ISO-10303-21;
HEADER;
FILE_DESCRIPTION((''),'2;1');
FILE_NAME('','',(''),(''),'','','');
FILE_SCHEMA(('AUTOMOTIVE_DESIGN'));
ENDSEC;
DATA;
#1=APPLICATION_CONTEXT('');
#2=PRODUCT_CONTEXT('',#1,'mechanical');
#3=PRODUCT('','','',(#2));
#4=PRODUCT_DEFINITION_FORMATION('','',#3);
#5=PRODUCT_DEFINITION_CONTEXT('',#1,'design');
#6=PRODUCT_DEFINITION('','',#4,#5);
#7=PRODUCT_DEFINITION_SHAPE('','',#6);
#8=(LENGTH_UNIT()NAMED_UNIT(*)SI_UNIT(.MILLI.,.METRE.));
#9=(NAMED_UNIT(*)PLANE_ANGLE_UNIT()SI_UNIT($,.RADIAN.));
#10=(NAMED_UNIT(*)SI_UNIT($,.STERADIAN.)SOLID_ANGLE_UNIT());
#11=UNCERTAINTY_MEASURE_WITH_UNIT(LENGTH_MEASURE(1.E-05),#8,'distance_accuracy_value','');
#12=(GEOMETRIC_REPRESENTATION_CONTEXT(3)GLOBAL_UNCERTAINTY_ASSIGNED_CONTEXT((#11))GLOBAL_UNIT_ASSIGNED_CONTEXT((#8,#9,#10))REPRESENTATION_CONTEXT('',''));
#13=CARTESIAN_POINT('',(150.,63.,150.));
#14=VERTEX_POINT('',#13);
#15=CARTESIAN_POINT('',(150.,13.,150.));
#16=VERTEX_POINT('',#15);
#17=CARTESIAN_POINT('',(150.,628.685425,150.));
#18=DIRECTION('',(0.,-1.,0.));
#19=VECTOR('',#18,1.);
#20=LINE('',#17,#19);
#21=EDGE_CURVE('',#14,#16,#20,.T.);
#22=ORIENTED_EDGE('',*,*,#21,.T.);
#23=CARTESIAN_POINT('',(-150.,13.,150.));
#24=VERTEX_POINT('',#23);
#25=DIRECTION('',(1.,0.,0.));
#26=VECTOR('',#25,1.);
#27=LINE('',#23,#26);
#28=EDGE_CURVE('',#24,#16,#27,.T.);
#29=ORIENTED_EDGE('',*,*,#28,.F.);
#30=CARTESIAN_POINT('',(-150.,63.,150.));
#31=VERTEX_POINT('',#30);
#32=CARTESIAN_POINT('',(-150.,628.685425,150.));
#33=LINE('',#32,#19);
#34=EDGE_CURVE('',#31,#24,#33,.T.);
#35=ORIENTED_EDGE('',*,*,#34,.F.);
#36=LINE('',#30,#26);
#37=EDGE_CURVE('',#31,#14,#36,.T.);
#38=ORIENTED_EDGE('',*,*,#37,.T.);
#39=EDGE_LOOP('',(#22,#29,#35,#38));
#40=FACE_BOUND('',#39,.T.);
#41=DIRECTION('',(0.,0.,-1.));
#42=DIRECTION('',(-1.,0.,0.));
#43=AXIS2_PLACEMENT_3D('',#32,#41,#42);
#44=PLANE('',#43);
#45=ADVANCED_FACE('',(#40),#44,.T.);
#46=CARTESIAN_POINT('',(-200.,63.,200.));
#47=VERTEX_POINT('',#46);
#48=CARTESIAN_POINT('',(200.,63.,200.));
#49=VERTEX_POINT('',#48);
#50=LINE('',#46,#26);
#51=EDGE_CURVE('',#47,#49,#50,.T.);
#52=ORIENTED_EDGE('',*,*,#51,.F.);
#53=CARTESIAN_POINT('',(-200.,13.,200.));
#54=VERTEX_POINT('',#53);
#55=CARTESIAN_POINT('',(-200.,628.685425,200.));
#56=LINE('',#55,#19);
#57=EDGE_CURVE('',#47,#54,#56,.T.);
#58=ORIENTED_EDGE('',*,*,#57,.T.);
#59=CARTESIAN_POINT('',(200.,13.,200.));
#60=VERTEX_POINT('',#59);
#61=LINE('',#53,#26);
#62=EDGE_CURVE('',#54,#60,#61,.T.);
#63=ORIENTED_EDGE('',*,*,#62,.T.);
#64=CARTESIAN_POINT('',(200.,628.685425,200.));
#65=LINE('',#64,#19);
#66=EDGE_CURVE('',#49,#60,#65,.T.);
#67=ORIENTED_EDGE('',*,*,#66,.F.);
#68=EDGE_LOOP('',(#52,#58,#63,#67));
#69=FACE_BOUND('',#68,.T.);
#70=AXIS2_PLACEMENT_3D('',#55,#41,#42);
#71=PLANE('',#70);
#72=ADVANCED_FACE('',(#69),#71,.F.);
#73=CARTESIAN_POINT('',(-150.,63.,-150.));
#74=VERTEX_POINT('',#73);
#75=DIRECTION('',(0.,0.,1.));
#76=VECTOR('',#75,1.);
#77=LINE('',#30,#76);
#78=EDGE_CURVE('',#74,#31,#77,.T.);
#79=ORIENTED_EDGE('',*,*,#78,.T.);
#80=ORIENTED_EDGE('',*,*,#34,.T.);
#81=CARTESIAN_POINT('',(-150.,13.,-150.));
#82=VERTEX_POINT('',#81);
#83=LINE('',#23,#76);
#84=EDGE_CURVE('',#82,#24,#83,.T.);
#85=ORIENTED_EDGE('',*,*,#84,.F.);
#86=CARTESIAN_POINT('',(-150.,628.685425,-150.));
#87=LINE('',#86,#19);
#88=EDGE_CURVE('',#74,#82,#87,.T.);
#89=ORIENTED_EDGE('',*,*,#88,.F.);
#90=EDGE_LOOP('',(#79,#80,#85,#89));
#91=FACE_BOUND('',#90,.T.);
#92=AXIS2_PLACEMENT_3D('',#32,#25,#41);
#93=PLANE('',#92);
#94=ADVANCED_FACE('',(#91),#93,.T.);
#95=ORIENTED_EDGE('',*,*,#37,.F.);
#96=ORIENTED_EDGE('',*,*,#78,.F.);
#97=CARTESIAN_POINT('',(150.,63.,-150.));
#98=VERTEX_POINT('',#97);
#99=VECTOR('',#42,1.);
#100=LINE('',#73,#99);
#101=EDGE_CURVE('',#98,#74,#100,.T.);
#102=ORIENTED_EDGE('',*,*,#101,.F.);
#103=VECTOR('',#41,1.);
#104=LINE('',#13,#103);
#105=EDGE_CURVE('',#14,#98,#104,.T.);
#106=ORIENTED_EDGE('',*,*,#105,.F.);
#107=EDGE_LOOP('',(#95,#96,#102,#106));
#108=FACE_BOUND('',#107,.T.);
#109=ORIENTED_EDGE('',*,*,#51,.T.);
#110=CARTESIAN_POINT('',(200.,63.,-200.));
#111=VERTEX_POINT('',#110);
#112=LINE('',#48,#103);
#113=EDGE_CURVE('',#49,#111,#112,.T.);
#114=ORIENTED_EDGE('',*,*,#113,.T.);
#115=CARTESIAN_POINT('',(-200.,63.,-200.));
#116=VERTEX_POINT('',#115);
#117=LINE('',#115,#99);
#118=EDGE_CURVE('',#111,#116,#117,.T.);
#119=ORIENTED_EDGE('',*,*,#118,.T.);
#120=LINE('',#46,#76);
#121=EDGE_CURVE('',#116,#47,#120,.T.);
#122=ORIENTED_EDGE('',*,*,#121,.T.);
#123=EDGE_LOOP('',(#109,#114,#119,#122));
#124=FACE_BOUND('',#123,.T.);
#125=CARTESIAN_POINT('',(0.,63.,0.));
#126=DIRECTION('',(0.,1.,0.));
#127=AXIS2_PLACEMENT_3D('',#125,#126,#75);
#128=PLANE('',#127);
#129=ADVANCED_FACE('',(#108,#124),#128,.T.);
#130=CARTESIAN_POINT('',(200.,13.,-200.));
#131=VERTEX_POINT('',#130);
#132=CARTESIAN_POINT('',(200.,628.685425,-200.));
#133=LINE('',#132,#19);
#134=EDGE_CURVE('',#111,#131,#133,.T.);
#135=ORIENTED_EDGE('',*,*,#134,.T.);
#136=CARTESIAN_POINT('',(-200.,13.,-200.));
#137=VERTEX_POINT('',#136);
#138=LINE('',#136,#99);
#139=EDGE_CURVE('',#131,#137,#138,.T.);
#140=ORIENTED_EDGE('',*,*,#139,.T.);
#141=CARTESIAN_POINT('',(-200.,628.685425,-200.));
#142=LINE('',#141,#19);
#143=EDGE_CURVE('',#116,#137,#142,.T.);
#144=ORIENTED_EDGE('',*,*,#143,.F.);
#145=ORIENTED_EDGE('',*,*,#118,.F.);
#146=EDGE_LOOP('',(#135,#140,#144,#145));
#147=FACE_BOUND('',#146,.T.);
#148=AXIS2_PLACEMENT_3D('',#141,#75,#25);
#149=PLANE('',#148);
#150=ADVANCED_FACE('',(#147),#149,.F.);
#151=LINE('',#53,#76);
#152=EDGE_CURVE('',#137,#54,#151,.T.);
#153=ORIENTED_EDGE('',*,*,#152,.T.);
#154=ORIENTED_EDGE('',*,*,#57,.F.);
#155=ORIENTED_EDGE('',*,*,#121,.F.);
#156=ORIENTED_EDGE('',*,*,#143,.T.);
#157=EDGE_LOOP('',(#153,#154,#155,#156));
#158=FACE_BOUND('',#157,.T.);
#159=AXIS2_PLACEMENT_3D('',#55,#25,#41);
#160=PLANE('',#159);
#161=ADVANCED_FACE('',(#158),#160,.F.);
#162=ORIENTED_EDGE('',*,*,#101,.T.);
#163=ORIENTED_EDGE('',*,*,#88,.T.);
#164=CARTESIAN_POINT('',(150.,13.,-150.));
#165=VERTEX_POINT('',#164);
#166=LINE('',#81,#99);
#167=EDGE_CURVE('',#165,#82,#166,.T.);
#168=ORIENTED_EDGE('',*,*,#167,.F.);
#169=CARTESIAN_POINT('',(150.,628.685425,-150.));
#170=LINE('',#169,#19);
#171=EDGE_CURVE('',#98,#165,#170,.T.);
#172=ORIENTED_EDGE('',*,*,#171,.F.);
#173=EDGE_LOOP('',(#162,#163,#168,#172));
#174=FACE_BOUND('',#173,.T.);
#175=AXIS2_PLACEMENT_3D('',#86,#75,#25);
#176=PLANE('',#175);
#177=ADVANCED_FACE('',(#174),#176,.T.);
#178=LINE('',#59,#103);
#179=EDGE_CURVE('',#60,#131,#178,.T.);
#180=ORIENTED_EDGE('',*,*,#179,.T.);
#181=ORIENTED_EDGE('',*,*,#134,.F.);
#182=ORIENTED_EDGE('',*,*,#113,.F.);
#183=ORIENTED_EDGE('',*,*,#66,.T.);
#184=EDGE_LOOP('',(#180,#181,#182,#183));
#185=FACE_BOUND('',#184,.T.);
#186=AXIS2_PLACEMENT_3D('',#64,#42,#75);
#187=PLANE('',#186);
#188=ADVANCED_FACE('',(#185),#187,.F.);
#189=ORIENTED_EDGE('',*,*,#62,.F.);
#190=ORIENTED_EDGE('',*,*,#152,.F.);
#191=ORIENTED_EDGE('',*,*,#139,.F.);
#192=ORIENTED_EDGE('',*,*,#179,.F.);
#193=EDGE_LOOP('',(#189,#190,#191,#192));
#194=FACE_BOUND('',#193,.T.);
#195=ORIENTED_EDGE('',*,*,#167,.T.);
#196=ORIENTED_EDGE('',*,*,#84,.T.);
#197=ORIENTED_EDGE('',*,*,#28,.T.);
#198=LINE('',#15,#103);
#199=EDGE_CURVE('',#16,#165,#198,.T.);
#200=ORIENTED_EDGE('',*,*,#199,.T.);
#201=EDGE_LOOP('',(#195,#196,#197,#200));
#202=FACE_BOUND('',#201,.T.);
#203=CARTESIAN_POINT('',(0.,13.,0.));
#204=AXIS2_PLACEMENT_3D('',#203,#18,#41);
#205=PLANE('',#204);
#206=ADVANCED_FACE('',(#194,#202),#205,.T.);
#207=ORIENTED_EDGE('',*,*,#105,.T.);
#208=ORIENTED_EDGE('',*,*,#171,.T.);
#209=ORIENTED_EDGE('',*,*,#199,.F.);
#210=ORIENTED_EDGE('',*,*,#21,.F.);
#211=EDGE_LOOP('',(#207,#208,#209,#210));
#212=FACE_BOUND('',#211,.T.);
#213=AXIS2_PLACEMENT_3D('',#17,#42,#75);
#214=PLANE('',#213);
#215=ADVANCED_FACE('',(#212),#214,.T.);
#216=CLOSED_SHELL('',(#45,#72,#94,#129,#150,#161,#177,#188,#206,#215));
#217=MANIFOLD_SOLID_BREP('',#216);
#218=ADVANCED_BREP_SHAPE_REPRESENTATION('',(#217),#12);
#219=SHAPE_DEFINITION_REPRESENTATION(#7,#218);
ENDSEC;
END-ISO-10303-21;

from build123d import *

# Parameters (mm, degrees)
BUMPER_PERIMETER_W   = 400
BUMPER_PERIMETER_H   = 400
BUMPER_PERIMETER_W_2 = 300
BUMPER_PERIMETER_H_2 = 300
BUMPER_SPACE_DEPTH   = 50.000000076


with BuildPart() as part:
    # Bumper_Perimeter → Bumper_Space (new body)
    with BuildSketch(Plane(origin=(0, 12.999999908, 0), x_dir=(1, 0, 0), z_dir=(0, 1, 0))):
        Rectangle(BUMPER_PERIMETER_W, BUMPER_PERIMETER_H)
        Rectangle(BUMPER_PERIMETER_W_2, BUMPER_PERIMETER_H_2, mode=Mode.SUBTRACT)
    extrude(amount=BUMPER_SPACE_DEPTH)


solid = part.part
